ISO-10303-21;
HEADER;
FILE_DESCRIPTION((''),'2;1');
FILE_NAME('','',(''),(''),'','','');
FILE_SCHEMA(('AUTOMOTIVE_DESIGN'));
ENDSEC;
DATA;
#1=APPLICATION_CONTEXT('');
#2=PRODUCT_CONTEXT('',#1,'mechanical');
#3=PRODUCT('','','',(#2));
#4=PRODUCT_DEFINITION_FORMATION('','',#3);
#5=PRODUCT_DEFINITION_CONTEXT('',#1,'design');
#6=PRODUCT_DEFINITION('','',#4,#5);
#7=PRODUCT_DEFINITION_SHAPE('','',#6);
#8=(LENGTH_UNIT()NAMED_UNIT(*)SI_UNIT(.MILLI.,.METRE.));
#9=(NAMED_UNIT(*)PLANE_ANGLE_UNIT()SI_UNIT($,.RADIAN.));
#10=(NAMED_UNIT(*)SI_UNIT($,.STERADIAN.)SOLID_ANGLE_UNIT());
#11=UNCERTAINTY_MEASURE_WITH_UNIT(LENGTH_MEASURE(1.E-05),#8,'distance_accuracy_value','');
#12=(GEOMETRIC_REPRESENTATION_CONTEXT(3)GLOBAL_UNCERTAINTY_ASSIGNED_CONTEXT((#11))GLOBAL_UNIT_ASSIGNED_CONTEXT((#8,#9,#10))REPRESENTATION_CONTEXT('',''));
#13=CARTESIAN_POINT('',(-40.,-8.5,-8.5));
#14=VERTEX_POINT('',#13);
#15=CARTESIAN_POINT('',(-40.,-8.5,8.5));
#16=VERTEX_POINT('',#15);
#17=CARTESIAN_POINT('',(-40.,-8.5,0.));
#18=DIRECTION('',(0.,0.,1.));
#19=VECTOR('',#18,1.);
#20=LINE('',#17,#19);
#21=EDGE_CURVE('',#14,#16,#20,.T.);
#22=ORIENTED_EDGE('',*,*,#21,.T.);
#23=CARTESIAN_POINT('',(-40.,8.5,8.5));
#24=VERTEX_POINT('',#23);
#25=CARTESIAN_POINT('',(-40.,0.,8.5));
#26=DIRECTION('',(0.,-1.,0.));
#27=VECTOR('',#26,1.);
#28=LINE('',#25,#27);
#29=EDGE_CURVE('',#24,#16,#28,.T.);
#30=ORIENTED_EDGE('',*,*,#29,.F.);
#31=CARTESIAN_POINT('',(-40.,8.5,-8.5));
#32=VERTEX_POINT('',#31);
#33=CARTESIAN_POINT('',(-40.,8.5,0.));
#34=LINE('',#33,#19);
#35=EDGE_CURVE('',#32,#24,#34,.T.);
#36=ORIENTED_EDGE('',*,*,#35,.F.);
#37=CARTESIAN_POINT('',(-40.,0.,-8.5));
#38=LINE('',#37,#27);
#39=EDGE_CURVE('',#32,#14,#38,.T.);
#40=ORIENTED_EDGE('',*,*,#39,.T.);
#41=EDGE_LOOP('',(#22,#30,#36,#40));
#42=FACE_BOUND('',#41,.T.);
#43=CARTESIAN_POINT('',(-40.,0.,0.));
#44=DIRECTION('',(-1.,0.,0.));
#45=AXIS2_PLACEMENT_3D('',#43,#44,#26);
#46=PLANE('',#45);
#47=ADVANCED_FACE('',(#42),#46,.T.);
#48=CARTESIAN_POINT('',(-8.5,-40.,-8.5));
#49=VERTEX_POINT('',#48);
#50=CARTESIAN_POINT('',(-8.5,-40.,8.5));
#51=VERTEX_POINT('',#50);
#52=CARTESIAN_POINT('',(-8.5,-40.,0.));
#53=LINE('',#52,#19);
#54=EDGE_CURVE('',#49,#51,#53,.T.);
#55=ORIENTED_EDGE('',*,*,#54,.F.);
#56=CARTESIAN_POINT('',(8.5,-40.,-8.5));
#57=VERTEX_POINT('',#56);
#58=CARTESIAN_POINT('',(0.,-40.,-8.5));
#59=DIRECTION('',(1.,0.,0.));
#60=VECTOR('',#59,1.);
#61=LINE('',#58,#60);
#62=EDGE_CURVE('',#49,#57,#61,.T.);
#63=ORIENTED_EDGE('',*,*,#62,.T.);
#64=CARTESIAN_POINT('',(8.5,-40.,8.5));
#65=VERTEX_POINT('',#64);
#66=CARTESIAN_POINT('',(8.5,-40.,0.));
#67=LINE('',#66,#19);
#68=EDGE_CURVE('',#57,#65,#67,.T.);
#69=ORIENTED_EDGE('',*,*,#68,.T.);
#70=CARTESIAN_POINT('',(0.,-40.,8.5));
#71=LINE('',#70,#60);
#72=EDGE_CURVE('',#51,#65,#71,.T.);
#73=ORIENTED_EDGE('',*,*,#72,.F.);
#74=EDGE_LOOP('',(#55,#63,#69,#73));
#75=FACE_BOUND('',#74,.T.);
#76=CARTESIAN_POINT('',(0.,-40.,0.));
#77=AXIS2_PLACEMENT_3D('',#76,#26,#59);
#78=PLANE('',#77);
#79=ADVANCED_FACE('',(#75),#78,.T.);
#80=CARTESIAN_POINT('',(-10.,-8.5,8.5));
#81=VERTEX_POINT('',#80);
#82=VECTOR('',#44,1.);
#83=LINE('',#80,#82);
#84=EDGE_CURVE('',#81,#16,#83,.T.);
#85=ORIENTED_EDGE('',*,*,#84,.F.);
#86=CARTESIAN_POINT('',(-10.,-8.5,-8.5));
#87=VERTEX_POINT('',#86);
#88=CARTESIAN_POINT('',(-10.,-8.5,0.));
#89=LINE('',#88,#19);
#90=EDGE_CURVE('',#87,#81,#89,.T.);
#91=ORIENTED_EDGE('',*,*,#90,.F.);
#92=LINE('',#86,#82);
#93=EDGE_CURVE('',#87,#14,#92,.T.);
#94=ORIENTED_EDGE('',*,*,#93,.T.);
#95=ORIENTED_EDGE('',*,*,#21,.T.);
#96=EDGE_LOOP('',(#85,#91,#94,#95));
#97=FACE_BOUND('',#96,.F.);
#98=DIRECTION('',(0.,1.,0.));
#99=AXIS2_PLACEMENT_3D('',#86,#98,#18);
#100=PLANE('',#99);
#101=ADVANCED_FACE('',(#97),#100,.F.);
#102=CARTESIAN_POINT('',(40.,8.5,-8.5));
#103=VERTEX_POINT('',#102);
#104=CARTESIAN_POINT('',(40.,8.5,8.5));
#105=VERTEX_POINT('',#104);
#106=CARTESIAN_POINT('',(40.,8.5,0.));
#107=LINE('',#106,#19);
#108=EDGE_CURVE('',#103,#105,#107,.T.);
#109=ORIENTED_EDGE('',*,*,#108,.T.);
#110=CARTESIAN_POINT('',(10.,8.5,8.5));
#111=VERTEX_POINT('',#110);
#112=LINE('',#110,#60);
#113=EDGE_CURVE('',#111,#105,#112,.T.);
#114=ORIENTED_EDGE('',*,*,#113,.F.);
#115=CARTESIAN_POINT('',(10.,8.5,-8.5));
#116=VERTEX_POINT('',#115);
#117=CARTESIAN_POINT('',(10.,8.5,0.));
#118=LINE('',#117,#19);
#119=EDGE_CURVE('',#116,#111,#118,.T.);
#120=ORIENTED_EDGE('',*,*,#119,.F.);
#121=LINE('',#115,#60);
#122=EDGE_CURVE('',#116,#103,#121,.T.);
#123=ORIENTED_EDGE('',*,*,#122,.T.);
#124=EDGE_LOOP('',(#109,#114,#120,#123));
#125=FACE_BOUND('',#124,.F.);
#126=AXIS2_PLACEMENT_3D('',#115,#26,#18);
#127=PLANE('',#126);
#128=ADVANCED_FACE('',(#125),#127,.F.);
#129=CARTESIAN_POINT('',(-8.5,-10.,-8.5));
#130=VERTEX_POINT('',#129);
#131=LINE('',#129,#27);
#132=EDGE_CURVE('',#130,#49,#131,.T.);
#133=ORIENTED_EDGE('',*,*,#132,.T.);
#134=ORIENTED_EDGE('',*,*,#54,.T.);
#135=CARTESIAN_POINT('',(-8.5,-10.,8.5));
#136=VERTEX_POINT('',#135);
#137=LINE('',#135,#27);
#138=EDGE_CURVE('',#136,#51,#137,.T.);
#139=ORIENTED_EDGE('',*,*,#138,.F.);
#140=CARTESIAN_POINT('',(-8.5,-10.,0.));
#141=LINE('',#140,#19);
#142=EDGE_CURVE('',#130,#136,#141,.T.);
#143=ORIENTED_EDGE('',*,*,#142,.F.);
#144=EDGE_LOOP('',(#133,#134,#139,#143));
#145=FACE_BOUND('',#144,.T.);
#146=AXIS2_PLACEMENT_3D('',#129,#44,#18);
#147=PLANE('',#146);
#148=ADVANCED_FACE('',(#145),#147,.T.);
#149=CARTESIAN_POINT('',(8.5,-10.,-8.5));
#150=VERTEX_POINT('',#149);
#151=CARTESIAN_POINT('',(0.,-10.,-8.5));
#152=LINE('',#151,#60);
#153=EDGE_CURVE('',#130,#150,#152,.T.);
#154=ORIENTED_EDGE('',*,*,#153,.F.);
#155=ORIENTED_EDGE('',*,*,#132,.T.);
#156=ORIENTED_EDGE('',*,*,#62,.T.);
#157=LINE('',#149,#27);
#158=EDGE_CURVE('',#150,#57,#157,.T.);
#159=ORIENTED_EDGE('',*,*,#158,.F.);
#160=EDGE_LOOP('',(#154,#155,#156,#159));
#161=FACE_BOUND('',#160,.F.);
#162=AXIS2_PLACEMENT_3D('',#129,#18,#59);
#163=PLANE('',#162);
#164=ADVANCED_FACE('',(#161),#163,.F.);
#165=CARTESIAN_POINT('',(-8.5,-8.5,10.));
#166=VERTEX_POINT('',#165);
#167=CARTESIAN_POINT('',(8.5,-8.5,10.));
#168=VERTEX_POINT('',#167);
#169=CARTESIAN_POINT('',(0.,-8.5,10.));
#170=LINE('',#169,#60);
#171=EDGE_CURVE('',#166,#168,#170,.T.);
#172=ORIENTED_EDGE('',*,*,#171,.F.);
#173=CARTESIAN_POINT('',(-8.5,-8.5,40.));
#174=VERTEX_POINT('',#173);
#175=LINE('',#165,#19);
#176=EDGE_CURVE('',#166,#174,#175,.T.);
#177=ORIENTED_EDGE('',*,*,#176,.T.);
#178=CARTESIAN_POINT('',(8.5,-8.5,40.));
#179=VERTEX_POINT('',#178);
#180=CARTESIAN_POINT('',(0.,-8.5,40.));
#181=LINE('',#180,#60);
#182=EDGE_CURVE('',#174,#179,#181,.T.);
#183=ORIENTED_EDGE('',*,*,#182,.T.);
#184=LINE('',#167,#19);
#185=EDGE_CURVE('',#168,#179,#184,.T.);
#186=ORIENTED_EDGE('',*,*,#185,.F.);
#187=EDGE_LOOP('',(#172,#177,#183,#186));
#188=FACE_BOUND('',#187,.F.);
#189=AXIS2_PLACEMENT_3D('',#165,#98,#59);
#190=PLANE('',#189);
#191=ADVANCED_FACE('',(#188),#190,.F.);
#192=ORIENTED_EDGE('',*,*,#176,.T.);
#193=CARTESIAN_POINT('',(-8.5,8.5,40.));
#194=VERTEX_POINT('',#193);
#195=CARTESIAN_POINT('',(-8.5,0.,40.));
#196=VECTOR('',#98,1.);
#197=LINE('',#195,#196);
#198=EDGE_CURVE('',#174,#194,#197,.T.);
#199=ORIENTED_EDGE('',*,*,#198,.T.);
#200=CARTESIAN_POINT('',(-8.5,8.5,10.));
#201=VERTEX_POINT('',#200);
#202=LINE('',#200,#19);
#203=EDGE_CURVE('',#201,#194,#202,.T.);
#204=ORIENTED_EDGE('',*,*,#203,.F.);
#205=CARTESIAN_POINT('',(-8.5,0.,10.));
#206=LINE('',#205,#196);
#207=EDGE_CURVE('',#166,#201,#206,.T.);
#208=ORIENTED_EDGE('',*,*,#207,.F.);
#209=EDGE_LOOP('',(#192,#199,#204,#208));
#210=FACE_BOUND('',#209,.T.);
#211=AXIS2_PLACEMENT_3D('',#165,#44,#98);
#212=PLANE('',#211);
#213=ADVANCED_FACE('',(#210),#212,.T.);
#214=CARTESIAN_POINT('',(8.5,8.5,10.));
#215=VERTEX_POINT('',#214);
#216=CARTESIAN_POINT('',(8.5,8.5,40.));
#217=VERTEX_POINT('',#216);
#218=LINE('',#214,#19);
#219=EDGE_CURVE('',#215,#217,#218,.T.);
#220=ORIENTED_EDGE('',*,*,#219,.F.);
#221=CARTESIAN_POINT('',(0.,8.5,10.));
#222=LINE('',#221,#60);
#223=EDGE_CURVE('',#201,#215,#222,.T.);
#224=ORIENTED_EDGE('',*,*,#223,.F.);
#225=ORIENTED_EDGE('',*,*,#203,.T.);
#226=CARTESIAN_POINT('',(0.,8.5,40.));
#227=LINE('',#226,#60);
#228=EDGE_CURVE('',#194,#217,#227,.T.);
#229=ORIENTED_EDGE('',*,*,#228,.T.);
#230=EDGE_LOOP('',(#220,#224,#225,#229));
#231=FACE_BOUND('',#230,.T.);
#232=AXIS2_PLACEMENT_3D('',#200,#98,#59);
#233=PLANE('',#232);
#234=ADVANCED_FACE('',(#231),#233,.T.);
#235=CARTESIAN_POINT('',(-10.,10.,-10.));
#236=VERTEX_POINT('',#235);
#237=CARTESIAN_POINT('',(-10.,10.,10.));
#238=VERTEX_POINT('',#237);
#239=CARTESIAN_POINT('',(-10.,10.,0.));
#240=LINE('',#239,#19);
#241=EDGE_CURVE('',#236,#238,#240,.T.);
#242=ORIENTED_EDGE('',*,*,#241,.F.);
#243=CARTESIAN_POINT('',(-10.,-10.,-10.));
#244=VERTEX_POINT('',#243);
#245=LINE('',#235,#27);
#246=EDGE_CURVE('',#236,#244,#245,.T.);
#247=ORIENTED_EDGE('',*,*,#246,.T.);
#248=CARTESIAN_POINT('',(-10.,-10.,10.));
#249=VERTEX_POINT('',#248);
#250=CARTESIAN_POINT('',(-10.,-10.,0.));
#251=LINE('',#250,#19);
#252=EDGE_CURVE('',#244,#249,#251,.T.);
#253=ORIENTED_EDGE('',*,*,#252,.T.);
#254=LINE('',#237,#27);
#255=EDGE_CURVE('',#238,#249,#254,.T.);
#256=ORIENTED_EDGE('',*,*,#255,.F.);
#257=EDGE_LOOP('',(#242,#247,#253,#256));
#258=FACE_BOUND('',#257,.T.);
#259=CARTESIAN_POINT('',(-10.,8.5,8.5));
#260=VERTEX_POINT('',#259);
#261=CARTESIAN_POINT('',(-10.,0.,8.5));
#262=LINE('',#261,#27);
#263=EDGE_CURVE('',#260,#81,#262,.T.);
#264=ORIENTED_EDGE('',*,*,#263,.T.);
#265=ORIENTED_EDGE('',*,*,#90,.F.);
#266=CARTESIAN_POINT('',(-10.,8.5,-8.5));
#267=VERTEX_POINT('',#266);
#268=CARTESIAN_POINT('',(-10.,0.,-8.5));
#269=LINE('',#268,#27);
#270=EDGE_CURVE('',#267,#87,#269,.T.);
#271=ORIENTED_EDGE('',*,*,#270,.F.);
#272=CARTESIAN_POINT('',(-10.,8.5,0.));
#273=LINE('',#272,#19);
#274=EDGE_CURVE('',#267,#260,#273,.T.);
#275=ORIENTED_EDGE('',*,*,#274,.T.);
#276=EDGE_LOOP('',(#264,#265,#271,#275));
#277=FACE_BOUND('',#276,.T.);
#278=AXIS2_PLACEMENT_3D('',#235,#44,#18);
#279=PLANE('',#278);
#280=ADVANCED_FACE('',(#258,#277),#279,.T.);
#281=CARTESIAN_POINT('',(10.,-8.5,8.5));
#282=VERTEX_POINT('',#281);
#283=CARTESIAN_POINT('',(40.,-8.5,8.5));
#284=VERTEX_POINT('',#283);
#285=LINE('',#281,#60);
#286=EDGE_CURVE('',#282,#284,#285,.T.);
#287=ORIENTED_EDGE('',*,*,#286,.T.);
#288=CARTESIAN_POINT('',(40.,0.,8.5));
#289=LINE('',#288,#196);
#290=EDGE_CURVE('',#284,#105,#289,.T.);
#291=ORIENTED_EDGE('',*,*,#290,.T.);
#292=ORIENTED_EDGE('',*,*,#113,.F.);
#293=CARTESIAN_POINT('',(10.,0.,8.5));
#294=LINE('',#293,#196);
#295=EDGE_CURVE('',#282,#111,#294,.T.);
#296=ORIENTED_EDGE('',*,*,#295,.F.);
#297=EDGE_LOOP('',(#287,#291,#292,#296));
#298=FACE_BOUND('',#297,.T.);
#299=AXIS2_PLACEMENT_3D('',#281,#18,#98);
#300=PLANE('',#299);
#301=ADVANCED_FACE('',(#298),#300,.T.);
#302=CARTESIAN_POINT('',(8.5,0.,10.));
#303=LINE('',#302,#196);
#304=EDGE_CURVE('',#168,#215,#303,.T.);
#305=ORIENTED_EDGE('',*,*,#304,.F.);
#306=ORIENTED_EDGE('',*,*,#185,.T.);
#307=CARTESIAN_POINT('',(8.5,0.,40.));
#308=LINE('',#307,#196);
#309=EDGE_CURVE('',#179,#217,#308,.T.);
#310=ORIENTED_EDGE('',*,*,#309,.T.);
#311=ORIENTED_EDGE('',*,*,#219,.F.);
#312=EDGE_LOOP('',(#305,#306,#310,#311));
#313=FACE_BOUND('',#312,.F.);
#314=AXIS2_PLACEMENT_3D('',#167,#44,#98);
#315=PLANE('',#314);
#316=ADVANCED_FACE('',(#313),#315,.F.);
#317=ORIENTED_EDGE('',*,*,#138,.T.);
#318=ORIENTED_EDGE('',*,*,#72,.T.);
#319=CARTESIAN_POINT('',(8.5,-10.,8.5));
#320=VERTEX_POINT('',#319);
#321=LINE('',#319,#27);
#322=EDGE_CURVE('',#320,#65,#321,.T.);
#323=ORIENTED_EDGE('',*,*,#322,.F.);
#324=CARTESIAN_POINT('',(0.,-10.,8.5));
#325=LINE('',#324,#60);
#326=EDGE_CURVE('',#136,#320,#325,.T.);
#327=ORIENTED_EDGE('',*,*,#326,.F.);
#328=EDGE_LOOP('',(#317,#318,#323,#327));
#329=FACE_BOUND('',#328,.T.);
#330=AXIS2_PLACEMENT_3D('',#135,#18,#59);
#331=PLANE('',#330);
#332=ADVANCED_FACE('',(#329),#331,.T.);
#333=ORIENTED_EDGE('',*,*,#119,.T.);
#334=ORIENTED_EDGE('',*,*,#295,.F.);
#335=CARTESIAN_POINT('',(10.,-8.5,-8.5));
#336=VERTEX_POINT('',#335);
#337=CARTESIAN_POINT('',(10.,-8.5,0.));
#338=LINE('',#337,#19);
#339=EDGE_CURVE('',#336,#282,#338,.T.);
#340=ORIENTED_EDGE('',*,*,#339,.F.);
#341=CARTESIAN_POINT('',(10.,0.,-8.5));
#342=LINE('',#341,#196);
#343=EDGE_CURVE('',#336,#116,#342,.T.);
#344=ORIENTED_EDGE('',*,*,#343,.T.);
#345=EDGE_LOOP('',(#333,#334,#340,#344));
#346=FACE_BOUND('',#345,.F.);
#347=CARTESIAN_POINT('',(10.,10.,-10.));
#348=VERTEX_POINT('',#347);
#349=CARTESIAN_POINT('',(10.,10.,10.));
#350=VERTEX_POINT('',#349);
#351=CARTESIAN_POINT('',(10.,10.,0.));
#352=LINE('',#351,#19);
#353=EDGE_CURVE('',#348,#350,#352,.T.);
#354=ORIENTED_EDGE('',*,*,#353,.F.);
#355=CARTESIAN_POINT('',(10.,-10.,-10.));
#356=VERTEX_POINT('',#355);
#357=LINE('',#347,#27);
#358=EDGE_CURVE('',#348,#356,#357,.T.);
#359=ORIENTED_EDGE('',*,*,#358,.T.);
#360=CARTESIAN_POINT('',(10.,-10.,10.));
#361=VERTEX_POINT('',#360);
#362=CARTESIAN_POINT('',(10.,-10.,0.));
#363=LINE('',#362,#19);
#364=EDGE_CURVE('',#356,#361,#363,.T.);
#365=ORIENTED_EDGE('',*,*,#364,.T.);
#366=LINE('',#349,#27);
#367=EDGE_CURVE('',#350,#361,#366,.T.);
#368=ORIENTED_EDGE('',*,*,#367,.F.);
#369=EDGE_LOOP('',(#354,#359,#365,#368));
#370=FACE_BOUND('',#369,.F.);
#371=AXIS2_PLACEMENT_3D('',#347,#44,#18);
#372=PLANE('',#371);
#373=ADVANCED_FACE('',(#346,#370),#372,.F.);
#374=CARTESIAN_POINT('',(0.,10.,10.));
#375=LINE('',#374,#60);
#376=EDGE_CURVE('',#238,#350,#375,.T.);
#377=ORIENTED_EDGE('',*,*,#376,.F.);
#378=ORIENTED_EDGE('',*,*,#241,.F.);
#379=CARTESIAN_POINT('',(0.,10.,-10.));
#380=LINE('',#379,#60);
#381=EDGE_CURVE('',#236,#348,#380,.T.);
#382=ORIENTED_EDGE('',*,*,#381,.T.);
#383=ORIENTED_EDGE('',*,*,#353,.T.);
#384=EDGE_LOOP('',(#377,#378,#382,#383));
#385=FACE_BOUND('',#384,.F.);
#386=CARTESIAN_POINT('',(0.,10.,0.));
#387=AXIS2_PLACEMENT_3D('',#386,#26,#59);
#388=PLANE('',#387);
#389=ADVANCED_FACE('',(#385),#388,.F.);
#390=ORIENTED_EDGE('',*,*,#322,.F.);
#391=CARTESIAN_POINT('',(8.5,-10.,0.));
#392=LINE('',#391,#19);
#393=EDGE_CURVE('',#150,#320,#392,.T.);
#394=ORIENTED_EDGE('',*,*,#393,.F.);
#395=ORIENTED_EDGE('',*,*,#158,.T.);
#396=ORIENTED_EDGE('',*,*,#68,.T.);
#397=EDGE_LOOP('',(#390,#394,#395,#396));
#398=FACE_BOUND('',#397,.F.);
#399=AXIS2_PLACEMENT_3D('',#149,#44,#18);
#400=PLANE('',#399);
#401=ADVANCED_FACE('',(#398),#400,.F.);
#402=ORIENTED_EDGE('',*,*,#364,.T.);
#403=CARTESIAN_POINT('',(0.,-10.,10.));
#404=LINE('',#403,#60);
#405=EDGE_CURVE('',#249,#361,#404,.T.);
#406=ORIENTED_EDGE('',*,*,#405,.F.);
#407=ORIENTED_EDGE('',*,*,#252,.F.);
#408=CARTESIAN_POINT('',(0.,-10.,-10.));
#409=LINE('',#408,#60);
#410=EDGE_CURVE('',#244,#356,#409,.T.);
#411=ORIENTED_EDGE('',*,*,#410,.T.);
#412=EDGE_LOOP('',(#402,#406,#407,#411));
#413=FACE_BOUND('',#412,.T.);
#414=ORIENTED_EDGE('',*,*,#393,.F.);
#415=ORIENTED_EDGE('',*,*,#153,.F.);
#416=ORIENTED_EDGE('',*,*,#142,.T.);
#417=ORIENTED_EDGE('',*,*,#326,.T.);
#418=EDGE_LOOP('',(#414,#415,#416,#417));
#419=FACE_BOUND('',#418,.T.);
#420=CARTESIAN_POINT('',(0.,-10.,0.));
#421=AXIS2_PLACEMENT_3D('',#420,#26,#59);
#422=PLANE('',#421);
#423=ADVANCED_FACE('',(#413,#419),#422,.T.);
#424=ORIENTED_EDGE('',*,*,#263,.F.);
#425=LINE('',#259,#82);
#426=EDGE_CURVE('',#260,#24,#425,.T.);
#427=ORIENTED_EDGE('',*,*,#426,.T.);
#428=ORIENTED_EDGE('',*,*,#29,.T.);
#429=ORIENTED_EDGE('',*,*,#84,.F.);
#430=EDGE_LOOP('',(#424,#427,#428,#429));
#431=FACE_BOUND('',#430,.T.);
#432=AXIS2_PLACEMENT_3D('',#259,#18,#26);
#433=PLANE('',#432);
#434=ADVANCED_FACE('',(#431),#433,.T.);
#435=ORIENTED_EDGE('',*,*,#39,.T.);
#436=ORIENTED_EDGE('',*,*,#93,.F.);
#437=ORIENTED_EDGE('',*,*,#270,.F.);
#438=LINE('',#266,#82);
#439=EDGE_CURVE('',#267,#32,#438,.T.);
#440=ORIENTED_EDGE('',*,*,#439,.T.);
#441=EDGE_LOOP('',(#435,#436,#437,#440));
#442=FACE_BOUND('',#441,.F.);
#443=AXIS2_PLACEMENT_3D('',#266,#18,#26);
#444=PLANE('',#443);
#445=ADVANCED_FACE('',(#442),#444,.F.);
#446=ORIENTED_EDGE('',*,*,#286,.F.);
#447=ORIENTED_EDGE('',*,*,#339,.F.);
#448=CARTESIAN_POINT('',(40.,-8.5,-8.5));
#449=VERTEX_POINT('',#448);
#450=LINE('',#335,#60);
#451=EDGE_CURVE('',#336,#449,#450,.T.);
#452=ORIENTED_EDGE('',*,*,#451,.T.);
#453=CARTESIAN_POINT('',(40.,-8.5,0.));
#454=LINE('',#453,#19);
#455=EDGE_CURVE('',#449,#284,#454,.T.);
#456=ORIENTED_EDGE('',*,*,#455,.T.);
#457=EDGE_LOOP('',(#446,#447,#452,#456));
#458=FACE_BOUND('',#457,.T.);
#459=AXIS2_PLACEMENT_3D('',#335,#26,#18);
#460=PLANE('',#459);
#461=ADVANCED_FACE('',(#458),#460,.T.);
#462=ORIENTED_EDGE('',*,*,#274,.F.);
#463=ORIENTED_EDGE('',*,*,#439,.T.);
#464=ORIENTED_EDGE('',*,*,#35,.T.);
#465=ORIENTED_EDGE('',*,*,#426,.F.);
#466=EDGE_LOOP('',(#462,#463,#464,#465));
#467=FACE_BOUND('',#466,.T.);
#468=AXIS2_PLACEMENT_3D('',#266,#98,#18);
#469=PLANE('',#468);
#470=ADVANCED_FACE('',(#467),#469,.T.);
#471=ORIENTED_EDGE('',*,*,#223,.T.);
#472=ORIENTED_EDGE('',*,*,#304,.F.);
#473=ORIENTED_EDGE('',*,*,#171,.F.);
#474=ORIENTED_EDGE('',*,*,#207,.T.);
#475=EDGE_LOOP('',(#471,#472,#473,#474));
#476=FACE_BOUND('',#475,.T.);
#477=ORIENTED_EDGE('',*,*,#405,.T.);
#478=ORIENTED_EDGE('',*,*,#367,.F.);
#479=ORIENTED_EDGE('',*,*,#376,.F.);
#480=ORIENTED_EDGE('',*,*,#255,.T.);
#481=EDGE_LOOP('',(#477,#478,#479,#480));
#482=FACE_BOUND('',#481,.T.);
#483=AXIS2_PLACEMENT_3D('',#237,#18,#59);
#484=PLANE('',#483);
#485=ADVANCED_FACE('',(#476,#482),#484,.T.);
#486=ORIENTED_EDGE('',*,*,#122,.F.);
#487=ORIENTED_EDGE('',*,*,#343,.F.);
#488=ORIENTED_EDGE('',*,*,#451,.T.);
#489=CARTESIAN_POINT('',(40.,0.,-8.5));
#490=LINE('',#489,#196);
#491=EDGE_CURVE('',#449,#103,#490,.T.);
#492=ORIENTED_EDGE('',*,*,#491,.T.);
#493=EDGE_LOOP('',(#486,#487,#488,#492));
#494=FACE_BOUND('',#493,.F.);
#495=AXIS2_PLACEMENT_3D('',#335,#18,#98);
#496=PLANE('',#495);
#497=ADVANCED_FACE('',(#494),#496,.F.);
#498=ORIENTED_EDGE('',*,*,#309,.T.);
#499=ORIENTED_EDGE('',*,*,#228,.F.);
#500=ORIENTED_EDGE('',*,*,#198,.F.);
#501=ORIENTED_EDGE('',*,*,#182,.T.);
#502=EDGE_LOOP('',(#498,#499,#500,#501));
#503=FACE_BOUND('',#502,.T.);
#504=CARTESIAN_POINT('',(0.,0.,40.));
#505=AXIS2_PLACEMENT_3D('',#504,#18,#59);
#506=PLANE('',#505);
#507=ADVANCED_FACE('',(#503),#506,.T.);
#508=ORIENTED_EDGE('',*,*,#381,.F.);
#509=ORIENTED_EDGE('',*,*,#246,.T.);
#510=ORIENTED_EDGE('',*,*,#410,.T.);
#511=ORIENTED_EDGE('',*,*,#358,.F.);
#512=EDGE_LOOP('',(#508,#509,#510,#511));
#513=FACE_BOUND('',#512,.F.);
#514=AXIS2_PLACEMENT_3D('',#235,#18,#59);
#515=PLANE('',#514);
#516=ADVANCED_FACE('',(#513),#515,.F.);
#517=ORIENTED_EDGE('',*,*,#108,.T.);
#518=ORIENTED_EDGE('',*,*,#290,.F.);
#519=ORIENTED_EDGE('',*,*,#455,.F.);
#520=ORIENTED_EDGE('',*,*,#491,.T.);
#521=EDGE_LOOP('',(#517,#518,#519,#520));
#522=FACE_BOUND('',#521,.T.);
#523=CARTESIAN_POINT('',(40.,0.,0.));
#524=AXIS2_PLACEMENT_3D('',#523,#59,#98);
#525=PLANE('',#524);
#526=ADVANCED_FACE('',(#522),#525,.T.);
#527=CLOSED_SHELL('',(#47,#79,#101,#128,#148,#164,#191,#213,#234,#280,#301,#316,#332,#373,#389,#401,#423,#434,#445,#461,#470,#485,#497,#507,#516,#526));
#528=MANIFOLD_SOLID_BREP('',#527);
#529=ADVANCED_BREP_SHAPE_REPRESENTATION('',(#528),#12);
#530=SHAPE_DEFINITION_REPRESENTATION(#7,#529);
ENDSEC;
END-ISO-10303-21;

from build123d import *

# Parameters (mm, degrees)
F0_W      = 20
F0_H      = 20
F1_DEPTH  = 20
F3_W      = 17
F3_H      = 17
F4_DEPTH  = 30
F5_W      = 17
F5_H      = 17
F6_DEPTH  = 30
F7_W      = 17
F7_H      = 17
F8_DEPTH  = 30
F9_W      = 17
F9_H      = 17
F10_DEPTH = 30


with BuildPart() as f1:
    # F0 (on Front) → F1 (new body)
    with BuildSketch(Plane.XZ):
        Rectangle(F0_W, F0_H)
    extrude(amount=F1_DEPTH)


with BuildPart() as f1_1:
    # F2: moved
    add(f1.part.moved(Location((0, 10, 0))))

    # F3 (on face) → F4 (join)
    with BuildSketch(Plane.XZ.offset(10)):
        Rectangle(F3_W, F3_H)
    extrude(amount=F4_DEPTH)

    # F5 (on face) → F6 (join)
    with BuildSketch(Plane.YZ.offset(10)):
        Rectangle(F5_W, F5_H)
    extrude(amount=F6_DEPTH)

    # F7 (on face) → F8 (join)
    with BuildSketch(Plane.XY.offset(10)):
        Rectangle(F7_W, F7_H)
    extrude(amount=F8_DEPTH)

    # F9 (on face) → F10 (join)
    with BuildSketch(Plane(origin=(-10, 0, 0), x_dir=(0, -1, 0), z_dir=(-1, 0, 0))):
        Rectangle(F9_W, F9_H)
    extrude(amount=F10_DEPTH)


solid = f1_1.part
